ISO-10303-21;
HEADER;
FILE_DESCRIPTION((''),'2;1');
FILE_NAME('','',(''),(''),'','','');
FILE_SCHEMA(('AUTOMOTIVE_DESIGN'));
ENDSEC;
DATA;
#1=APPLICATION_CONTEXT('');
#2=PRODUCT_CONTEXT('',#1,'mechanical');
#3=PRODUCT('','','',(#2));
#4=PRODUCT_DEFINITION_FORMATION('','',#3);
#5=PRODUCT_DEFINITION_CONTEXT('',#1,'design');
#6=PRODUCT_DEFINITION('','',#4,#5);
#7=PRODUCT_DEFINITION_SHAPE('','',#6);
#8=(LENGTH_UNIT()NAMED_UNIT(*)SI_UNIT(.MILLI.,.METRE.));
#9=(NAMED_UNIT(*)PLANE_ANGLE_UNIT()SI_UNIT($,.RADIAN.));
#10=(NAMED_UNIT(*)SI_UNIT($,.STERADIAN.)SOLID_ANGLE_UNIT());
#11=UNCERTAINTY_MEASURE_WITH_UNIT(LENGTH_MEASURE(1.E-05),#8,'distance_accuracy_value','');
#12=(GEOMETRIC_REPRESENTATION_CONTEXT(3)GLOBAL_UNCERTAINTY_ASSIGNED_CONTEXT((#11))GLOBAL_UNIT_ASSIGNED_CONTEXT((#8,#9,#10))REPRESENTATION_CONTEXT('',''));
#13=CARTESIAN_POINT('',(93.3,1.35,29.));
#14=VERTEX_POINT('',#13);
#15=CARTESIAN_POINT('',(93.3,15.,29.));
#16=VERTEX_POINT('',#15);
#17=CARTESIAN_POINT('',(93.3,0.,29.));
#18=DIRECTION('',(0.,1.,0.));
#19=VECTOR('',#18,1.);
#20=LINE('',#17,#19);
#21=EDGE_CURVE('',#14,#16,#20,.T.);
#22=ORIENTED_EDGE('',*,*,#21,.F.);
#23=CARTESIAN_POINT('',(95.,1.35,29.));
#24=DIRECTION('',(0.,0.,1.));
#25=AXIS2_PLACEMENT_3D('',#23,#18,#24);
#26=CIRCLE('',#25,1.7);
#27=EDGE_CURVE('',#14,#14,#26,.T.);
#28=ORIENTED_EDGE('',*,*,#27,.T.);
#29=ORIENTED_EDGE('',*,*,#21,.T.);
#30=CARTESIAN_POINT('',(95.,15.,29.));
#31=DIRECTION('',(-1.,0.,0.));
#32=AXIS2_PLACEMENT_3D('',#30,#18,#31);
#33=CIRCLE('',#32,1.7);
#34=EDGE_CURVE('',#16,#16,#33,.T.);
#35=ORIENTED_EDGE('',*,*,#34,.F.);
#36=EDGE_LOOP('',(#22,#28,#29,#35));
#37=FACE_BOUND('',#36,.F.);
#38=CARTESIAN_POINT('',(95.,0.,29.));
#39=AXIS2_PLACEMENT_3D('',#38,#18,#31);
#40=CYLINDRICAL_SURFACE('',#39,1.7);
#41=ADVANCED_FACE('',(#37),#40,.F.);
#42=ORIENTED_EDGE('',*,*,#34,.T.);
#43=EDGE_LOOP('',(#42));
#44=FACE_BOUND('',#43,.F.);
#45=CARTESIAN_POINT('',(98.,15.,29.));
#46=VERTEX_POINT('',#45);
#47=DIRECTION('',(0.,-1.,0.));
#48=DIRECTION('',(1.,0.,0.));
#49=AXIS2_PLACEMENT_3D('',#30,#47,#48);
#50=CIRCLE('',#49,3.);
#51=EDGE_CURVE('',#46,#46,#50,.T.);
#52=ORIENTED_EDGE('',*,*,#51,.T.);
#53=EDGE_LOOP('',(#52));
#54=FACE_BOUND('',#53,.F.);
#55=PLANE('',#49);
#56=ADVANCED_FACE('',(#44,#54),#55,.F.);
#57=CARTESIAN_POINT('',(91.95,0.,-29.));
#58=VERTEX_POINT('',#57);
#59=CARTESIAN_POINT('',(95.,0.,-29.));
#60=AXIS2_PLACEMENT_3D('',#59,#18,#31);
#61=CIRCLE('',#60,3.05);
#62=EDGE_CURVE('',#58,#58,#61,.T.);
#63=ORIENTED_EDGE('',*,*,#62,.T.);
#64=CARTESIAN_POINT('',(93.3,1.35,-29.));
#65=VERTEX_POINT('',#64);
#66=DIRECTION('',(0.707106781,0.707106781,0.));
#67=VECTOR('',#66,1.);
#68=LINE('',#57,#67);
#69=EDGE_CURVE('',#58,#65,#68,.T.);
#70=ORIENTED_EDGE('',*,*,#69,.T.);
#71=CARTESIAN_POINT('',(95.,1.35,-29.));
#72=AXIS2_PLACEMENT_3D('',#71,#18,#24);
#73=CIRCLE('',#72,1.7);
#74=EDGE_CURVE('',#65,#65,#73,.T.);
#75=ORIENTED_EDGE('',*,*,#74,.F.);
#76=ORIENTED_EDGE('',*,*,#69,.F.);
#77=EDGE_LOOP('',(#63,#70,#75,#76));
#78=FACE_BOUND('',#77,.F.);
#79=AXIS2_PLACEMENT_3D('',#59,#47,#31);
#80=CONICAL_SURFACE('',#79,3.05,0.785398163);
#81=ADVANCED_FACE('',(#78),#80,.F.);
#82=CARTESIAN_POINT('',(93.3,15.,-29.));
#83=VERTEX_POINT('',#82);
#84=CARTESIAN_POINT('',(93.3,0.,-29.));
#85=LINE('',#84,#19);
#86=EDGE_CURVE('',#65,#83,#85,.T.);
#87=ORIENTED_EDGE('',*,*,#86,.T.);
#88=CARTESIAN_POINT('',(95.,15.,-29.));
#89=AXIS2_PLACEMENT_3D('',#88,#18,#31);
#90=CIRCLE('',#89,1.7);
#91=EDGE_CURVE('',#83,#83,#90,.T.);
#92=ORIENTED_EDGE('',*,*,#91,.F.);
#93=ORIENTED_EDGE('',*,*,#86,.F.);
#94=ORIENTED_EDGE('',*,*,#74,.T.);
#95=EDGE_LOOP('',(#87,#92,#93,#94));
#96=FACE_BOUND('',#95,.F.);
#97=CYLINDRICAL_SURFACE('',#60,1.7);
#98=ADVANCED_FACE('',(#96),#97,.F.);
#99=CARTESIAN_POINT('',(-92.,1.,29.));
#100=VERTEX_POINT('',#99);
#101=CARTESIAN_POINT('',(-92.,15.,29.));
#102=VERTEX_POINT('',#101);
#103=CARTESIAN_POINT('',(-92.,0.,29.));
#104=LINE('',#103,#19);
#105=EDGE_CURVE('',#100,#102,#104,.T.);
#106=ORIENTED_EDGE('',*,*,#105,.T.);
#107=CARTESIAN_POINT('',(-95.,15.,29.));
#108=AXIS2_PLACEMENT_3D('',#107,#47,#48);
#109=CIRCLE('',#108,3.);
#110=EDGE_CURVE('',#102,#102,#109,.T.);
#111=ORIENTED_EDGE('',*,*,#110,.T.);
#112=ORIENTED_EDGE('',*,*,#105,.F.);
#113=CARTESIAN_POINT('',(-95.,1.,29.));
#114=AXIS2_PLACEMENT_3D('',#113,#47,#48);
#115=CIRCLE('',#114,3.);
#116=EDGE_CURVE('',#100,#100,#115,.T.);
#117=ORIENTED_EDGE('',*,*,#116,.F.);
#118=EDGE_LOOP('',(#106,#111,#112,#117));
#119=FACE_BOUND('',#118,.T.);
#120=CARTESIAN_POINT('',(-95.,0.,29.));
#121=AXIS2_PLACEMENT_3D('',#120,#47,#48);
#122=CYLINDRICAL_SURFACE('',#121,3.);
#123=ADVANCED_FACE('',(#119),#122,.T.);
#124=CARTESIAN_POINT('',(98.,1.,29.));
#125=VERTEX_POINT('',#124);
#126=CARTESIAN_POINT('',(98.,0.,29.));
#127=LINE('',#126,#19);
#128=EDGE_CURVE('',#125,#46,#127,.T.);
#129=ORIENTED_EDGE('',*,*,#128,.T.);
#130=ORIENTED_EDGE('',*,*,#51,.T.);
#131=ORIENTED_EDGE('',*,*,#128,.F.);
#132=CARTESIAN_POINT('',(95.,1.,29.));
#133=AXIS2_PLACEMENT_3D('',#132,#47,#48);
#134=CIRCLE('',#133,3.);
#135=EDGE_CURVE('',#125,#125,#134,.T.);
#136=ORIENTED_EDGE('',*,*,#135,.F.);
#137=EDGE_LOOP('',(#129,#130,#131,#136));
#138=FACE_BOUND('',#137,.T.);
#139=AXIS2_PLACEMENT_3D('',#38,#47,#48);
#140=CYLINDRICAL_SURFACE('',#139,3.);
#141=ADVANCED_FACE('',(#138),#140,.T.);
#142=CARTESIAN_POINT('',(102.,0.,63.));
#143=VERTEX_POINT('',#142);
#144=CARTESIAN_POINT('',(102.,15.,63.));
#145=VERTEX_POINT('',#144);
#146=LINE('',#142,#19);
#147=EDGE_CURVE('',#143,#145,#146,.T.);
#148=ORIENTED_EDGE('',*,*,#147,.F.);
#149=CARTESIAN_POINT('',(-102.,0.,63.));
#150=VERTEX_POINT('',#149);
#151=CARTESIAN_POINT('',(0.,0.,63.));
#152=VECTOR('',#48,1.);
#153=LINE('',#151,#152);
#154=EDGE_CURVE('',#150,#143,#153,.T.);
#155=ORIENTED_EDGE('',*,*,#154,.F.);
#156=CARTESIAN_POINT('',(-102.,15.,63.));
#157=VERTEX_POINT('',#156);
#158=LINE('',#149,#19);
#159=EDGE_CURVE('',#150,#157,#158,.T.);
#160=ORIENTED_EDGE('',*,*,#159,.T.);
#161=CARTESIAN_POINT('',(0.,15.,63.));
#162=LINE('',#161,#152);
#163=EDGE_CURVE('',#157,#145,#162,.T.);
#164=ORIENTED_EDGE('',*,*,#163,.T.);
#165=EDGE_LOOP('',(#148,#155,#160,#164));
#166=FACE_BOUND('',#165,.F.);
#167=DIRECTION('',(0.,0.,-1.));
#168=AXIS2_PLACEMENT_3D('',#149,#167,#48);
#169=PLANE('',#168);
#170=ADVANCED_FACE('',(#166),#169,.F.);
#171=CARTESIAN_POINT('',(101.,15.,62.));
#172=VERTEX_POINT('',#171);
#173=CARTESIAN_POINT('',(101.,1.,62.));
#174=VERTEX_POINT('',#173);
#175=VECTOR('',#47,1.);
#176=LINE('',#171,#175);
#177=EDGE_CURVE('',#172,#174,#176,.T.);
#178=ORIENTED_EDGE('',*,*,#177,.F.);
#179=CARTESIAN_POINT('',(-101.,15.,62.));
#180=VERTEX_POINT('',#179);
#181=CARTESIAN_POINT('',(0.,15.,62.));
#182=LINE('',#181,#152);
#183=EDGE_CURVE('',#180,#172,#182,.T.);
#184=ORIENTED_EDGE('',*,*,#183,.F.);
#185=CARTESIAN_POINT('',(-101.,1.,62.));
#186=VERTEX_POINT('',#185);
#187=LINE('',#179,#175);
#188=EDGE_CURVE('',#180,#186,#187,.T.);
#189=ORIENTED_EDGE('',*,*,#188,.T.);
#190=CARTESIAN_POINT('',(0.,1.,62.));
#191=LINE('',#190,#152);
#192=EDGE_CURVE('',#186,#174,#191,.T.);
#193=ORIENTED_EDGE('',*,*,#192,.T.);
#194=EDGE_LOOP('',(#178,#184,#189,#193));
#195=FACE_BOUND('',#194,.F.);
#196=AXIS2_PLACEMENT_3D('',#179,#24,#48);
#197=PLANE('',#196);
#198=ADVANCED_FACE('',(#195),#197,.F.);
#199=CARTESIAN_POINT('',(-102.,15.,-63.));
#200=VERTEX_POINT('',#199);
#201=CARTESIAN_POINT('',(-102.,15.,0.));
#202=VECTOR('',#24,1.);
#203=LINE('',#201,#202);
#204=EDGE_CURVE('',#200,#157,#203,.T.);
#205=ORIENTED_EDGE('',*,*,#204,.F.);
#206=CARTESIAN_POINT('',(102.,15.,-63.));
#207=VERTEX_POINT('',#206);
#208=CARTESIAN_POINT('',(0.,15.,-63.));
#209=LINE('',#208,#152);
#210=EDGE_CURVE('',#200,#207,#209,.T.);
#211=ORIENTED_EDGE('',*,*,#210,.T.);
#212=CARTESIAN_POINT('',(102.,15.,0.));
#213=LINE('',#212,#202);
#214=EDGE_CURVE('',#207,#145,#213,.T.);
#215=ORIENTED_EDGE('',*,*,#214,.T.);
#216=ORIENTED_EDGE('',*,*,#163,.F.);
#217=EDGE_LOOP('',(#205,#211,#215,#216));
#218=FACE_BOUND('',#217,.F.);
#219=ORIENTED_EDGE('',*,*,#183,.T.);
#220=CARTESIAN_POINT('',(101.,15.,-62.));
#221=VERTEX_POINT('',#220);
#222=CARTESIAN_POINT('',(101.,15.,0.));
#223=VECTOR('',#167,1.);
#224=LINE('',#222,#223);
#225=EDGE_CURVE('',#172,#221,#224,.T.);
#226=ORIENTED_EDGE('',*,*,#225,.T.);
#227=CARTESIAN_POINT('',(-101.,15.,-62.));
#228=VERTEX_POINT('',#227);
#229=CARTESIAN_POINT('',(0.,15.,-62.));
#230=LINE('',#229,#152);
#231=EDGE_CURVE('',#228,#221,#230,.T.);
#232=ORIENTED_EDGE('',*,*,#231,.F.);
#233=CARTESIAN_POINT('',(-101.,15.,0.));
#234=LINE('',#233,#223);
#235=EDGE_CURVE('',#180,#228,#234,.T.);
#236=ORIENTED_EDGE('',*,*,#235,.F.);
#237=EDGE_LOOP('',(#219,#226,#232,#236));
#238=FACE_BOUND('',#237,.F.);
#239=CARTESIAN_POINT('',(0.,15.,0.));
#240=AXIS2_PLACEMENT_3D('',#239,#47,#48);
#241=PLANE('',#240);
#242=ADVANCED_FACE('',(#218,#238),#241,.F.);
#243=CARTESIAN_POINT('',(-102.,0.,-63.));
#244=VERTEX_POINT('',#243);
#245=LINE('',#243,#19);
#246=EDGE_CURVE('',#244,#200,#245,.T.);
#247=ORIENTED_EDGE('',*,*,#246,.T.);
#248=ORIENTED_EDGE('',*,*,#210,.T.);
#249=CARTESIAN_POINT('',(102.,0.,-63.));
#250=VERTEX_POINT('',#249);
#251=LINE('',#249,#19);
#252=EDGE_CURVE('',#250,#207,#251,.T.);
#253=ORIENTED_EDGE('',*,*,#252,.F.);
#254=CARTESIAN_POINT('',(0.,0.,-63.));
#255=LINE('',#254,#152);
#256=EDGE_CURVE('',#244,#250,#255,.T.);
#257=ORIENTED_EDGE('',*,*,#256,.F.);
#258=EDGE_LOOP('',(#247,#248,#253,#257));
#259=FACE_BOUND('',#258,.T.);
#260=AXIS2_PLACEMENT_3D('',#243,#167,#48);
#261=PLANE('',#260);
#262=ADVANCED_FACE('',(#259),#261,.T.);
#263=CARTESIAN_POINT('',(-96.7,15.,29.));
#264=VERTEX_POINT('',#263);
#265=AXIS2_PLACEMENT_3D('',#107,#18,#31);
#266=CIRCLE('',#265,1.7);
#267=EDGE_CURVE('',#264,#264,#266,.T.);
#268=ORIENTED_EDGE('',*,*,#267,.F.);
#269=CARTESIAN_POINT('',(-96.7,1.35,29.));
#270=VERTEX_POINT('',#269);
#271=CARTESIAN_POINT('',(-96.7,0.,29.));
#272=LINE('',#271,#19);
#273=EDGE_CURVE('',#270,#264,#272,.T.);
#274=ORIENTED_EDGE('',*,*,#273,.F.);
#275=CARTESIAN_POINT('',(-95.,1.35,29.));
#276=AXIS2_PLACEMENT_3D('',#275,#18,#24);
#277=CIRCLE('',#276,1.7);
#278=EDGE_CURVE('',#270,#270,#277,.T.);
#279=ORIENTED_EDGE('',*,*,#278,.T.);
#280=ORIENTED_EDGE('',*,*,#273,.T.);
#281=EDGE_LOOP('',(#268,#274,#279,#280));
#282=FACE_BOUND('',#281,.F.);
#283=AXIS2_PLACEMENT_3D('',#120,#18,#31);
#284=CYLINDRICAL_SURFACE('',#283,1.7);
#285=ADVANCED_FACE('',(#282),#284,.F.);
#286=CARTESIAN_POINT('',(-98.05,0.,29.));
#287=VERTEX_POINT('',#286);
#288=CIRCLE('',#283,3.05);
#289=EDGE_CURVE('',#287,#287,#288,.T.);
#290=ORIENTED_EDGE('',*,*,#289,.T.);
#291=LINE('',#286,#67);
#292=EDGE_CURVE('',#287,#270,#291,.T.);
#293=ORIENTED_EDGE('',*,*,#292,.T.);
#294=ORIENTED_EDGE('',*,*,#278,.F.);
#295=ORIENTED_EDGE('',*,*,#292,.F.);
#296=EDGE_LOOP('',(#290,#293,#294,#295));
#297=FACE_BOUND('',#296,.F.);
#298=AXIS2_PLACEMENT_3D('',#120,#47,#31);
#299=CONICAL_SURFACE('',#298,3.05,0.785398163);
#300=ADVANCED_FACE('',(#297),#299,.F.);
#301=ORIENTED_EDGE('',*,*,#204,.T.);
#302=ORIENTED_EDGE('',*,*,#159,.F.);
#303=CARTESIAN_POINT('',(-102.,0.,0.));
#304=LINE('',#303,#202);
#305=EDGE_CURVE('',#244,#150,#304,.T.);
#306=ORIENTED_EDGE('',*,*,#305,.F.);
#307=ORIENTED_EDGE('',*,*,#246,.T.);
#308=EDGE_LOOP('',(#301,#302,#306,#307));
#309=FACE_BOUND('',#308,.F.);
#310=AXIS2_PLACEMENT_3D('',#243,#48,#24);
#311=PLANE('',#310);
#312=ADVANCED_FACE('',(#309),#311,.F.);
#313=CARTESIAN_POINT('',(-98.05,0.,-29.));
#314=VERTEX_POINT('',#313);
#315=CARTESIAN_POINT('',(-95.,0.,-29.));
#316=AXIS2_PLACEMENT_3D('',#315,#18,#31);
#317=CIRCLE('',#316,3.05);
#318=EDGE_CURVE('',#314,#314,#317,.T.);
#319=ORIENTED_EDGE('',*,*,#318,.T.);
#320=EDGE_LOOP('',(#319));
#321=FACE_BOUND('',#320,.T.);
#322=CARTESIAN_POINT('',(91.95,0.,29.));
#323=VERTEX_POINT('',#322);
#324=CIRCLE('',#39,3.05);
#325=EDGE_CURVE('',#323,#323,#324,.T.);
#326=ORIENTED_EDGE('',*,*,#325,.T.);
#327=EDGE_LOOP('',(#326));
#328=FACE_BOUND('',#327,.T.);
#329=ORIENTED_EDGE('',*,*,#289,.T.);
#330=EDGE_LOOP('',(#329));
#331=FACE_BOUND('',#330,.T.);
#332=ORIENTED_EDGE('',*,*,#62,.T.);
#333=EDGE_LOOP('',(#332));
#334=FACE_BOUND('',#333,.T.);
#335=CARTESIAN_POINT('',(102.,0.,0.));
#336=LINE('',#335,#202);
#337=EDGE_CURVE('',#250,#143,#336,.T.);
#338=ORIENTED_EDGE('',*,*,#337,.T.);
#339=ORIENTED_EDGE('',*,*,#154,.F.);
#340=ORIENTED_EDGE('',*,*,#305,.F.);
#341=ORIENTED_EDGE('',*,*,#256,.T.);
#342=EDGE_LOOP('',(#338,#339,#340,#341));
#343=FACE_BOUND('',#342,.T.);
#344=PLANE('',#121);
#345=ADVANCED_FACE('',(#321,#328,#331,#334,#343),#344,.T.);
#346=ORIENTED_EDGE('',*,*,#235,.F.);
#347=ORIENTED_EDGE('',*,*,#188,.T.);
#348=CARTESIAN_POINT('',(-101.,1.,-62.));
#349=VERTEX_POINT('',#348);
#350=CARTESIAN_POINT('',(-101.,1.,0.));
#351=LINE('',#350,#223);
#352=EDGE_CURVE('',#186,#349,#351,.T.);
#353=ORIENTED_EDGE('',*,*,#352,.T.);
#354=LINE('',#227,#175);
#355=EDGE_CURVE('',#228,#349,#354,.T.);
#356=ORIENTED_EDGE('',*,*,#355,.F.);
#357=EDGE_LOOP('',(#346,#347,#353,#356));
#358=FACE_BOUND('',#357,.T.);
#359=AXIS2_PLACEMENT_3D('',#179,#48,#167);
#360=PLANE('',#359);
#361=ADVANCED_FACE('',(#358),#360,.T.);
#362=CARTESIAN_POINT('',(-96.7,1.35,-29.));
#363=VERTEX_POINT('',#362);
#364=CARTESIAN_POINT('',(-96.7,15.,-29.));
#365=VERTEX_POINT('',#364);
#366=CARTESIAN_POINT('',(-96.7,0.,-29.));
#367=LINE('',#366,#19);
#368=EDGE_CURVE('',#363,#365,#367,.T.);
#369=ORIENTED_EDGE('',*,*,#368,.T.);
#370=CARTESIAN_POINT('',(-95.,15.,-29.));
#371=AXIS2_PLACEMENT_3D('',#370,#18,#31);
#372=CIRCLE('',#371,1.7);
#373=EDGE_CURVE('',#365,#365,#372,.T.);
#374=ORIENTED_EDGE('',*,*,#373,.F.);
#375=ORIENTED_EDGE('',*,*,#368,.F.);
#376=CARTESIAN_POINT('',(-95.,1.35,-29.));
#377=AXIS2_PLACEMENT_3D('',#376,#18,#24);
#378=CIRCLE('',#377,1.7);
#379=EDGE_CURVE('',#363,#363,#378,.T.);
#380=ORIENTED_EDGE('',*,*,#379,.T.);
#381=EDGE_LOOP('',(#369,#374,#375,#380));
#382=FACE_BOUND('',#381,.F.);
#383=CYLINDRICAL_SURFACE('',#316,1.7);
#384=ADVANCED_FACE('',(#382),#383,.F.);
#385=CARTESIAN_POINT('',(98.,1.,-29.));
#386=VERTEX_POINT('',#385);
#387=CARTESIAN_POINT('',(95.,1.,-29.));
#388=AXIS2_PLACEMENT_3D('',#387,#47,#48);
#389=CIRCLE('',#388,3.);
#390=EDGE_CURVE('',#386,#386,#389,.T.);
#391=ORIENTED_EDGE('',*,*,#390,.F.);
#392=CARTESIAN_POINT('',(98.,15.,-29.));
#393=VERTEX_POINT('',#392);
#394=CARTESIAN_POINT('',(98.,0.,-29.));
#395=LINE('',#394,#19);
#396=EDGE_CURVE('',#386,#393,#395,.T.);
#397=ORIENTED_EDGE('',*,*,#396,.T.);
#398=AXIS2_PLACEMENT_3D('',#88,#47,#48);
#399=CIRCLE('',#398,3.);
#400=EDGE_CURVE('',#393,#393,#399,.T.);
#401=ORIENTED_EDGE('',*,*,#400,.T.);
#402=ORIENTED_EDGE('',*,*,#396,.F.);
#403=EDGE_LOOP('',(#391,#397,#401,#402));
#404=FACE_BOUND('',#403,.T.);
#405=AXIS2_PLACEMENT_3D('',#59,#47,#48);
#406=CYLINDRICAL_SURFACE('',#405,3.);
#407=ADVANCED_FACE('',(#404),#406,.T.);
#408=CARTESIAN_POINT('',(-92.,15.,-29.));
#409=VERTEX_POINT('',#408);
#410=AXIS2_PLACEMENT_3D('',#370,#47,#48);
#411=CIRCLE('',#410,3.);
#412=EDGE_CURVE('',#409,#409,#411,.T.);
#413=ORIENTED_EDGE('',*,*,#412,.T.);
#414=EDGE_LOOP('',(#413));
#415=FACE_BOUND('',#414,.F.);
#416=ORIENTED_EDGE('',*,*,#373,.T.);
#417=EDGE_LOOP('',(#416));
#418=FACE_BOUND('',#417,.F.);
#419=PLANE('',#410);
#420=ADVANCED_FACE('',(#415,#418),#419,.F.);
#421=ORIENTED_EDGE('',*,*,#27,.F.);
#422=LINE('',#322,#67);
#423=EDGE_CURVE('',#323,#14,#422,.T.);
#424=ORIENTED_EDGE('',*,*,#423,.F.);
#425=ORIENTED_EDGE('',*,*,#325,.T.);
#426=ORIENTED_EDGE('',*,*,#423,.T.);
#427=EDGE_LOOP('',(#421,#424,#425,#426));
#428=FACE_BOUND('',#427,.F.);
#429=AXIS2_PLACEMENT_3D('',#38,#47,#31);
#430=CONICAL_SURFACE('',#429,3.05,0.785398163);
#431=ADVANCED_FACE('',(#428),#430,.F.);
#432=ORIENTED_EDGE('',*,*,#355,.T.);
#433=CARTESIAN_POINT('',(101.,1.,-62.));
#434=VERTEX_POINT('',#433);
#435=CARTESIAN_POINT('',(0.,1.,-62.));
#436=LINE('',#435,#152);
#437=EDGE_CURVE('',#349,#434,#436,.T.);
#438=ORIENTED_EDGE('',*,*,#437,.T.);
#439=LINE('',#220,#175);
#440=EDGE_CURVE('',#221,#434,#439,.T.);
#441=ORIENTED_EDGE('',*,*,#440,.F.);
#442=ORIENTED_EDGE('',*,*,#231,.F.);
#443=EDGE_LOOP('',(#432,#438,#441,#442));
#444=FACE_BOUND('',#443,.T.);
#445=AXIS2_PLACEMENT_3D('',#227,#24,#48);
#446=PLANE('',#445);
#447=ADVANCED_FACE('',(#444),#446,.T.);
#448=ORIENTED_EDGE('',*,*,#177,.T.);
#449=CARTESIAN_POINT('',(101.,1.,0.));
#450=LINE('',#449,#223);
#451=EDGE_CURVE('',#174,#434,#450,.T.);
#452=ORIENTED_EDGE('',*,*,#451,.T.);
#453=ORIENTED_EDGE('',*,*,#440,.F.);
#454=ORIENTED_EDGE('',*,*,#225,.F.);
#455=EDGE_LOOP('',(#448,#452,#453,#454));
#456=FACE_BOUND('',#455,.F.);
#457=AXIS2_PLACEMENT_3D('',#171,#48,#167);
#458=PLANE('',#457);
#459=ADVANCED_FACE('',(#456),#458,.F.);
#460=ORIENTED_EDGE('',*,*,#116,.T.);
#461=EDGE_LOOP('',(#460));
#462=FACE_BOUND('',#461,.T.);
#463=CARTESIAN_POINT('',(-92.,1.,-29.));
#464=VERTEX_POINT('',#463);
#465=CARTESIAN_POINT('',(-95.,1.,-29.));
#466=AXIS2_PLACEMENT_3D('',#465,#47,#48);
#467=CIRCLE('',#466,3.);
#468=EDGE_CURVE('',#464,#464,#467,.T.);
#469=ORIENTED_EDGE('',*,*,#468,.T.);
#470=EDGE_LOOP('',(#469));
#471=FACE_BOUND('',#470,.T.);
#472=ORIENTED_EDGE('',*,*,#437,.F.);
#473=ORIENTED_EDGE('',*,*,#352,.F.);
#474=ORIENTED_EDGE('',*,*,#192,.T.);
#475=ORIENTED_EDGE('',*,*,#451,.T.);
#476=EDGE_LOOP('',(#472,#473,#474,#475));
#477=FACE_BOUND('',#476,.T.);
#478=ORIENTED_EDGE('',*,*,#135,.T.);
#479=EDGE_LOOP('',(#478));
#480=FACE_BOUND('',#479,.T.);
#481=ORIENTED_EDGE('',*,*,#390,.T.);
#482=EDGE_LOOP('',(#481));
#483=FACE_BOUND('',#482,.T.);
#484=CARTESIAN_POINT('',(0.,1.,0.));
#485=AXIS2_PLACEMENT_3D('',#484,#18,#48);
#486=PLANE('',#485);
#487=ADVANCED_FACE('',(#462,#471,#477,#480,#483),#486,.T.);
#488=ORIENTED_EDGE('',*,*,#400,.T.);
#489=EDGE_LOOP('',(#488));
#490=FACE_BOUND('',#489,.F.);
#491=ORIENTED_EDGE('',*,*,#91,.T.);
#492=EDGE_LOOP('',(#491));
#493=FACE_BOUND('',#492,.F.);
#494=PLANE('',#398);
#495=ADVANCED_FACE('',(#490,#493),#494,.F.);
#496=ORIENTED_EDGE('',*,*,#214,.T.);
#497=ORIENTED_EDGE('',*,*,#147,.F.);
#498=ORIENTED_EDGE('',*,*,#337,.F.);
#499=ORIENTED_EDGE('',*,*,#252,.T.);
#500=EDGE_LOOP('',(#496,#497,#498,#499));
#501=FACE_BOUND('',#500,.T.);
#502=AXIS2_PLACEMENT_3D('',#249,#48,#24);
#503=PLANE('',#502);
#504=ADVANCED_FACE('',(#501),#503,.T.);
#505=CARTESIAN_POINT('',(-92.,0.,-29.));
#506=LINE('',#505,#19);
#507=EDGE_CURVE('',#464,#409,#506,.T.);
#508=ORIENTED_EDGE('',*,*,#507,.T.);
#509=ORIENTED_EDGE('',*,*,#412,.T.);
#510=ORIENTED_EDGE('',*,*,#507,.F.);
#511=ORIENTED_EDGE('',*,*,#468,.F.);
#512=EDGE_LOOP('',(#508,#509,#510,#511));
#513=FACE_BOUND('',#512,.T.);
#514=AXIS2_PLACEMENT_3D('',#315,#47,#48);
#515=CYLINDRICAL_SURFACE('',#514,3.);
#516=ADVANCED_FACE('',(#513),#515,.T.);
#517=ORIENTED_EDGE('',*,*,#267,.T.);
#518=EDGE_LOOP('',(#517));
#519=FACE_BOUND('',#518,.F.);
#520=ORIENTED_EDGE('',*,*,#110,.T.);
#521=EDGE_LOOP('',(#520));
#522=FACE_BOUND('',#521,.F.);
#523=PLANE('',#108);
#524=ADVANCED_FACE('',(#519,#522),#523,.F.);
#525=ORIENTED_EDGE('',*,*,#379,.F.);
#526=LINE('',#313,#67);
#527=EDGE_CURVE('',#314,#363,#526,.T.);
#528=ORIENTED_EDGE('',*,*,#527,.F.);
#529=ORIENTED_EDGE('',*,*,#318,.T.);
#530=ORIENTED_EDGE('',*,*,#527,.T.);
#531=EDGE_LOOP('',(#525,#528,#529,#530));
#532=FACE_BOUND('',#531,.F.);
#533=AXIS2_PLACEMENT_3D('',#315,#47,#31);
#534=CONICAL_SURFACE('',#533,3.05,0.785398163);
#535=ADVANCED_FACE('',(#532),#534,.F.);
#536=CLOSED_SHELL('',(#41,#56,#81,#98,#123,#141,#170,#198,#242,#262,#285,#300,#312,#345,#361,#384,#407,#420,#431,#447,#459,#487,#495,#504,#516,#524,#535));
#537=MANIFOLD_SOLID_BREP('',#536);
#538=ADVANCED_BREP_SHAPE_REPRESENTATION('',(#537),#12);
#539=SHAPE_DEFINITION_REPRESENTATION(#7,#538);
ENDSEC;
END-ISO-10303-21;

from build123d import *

# Parameters (mm, degrees)
SKETCH_W         = 204
SKETCH_H         = 126
PAD_DEPTH        = 15
SKETCH001_W      = 202
SKETCH001_H      = 124
POCKET_DEPTH     = 14
SKETCH002_R      = 3
PAD001_DEPTH     = 15
HOLE_D           = 3.4
HOLE_DEPTH       = 25
HOLE_CSINK_D     = 6.1
HOLE_CSINK_ANGLE = 90


with BuildPart() as part:
    # Sketch → Pad (new body)
    with BuildSketch(Plane.XZ):
        Rectangle(SKETCH_W, SKETCH_H)
    extrude(amount=-PAD_DEPTH)

    # Sketch001 (on Face6 of Pad) → Pocket (cut)
    with BuildSketch(Plane(origin=(0, 15, 0), x_dir=(1, 0, 0), z_dir=(0, 1, 0))):
        Rectangle(SKETCH001_W, SKETCH001_H)
    extrude(amount=-POCKET_DEPTH, mode=Mode.SUBTRACT)

    # Sketch002 (on Face4 of Pocket) → Pad001 (join)
    with BuildSketch(Plane.XZ):
        with Locations((-95, 29)):
            Circle(SKETCH002_R)
        with Locations((95, 29)):
            Circle(SKETCH002_R)
        with Locations((95, -29)):
            Circle(SKETCH002_R)
        with Locations((-95, -29)):
            Circle(SKETCH002_R)
    extrude(amount=-PAD001_DEPTH)

    # Hole
    with Locations(Plane.XZ):
        with Locations((-95, 29), (95, 29), (95, -29), (-95, -29)):
            CounterSinkHole(HOLE_D / 2, HOLE_CSINK_D / 2, depth=HOLE_DEPTH, counter_sink_angle=HOLE_CSINK_ANGLE)


solid = part.part
